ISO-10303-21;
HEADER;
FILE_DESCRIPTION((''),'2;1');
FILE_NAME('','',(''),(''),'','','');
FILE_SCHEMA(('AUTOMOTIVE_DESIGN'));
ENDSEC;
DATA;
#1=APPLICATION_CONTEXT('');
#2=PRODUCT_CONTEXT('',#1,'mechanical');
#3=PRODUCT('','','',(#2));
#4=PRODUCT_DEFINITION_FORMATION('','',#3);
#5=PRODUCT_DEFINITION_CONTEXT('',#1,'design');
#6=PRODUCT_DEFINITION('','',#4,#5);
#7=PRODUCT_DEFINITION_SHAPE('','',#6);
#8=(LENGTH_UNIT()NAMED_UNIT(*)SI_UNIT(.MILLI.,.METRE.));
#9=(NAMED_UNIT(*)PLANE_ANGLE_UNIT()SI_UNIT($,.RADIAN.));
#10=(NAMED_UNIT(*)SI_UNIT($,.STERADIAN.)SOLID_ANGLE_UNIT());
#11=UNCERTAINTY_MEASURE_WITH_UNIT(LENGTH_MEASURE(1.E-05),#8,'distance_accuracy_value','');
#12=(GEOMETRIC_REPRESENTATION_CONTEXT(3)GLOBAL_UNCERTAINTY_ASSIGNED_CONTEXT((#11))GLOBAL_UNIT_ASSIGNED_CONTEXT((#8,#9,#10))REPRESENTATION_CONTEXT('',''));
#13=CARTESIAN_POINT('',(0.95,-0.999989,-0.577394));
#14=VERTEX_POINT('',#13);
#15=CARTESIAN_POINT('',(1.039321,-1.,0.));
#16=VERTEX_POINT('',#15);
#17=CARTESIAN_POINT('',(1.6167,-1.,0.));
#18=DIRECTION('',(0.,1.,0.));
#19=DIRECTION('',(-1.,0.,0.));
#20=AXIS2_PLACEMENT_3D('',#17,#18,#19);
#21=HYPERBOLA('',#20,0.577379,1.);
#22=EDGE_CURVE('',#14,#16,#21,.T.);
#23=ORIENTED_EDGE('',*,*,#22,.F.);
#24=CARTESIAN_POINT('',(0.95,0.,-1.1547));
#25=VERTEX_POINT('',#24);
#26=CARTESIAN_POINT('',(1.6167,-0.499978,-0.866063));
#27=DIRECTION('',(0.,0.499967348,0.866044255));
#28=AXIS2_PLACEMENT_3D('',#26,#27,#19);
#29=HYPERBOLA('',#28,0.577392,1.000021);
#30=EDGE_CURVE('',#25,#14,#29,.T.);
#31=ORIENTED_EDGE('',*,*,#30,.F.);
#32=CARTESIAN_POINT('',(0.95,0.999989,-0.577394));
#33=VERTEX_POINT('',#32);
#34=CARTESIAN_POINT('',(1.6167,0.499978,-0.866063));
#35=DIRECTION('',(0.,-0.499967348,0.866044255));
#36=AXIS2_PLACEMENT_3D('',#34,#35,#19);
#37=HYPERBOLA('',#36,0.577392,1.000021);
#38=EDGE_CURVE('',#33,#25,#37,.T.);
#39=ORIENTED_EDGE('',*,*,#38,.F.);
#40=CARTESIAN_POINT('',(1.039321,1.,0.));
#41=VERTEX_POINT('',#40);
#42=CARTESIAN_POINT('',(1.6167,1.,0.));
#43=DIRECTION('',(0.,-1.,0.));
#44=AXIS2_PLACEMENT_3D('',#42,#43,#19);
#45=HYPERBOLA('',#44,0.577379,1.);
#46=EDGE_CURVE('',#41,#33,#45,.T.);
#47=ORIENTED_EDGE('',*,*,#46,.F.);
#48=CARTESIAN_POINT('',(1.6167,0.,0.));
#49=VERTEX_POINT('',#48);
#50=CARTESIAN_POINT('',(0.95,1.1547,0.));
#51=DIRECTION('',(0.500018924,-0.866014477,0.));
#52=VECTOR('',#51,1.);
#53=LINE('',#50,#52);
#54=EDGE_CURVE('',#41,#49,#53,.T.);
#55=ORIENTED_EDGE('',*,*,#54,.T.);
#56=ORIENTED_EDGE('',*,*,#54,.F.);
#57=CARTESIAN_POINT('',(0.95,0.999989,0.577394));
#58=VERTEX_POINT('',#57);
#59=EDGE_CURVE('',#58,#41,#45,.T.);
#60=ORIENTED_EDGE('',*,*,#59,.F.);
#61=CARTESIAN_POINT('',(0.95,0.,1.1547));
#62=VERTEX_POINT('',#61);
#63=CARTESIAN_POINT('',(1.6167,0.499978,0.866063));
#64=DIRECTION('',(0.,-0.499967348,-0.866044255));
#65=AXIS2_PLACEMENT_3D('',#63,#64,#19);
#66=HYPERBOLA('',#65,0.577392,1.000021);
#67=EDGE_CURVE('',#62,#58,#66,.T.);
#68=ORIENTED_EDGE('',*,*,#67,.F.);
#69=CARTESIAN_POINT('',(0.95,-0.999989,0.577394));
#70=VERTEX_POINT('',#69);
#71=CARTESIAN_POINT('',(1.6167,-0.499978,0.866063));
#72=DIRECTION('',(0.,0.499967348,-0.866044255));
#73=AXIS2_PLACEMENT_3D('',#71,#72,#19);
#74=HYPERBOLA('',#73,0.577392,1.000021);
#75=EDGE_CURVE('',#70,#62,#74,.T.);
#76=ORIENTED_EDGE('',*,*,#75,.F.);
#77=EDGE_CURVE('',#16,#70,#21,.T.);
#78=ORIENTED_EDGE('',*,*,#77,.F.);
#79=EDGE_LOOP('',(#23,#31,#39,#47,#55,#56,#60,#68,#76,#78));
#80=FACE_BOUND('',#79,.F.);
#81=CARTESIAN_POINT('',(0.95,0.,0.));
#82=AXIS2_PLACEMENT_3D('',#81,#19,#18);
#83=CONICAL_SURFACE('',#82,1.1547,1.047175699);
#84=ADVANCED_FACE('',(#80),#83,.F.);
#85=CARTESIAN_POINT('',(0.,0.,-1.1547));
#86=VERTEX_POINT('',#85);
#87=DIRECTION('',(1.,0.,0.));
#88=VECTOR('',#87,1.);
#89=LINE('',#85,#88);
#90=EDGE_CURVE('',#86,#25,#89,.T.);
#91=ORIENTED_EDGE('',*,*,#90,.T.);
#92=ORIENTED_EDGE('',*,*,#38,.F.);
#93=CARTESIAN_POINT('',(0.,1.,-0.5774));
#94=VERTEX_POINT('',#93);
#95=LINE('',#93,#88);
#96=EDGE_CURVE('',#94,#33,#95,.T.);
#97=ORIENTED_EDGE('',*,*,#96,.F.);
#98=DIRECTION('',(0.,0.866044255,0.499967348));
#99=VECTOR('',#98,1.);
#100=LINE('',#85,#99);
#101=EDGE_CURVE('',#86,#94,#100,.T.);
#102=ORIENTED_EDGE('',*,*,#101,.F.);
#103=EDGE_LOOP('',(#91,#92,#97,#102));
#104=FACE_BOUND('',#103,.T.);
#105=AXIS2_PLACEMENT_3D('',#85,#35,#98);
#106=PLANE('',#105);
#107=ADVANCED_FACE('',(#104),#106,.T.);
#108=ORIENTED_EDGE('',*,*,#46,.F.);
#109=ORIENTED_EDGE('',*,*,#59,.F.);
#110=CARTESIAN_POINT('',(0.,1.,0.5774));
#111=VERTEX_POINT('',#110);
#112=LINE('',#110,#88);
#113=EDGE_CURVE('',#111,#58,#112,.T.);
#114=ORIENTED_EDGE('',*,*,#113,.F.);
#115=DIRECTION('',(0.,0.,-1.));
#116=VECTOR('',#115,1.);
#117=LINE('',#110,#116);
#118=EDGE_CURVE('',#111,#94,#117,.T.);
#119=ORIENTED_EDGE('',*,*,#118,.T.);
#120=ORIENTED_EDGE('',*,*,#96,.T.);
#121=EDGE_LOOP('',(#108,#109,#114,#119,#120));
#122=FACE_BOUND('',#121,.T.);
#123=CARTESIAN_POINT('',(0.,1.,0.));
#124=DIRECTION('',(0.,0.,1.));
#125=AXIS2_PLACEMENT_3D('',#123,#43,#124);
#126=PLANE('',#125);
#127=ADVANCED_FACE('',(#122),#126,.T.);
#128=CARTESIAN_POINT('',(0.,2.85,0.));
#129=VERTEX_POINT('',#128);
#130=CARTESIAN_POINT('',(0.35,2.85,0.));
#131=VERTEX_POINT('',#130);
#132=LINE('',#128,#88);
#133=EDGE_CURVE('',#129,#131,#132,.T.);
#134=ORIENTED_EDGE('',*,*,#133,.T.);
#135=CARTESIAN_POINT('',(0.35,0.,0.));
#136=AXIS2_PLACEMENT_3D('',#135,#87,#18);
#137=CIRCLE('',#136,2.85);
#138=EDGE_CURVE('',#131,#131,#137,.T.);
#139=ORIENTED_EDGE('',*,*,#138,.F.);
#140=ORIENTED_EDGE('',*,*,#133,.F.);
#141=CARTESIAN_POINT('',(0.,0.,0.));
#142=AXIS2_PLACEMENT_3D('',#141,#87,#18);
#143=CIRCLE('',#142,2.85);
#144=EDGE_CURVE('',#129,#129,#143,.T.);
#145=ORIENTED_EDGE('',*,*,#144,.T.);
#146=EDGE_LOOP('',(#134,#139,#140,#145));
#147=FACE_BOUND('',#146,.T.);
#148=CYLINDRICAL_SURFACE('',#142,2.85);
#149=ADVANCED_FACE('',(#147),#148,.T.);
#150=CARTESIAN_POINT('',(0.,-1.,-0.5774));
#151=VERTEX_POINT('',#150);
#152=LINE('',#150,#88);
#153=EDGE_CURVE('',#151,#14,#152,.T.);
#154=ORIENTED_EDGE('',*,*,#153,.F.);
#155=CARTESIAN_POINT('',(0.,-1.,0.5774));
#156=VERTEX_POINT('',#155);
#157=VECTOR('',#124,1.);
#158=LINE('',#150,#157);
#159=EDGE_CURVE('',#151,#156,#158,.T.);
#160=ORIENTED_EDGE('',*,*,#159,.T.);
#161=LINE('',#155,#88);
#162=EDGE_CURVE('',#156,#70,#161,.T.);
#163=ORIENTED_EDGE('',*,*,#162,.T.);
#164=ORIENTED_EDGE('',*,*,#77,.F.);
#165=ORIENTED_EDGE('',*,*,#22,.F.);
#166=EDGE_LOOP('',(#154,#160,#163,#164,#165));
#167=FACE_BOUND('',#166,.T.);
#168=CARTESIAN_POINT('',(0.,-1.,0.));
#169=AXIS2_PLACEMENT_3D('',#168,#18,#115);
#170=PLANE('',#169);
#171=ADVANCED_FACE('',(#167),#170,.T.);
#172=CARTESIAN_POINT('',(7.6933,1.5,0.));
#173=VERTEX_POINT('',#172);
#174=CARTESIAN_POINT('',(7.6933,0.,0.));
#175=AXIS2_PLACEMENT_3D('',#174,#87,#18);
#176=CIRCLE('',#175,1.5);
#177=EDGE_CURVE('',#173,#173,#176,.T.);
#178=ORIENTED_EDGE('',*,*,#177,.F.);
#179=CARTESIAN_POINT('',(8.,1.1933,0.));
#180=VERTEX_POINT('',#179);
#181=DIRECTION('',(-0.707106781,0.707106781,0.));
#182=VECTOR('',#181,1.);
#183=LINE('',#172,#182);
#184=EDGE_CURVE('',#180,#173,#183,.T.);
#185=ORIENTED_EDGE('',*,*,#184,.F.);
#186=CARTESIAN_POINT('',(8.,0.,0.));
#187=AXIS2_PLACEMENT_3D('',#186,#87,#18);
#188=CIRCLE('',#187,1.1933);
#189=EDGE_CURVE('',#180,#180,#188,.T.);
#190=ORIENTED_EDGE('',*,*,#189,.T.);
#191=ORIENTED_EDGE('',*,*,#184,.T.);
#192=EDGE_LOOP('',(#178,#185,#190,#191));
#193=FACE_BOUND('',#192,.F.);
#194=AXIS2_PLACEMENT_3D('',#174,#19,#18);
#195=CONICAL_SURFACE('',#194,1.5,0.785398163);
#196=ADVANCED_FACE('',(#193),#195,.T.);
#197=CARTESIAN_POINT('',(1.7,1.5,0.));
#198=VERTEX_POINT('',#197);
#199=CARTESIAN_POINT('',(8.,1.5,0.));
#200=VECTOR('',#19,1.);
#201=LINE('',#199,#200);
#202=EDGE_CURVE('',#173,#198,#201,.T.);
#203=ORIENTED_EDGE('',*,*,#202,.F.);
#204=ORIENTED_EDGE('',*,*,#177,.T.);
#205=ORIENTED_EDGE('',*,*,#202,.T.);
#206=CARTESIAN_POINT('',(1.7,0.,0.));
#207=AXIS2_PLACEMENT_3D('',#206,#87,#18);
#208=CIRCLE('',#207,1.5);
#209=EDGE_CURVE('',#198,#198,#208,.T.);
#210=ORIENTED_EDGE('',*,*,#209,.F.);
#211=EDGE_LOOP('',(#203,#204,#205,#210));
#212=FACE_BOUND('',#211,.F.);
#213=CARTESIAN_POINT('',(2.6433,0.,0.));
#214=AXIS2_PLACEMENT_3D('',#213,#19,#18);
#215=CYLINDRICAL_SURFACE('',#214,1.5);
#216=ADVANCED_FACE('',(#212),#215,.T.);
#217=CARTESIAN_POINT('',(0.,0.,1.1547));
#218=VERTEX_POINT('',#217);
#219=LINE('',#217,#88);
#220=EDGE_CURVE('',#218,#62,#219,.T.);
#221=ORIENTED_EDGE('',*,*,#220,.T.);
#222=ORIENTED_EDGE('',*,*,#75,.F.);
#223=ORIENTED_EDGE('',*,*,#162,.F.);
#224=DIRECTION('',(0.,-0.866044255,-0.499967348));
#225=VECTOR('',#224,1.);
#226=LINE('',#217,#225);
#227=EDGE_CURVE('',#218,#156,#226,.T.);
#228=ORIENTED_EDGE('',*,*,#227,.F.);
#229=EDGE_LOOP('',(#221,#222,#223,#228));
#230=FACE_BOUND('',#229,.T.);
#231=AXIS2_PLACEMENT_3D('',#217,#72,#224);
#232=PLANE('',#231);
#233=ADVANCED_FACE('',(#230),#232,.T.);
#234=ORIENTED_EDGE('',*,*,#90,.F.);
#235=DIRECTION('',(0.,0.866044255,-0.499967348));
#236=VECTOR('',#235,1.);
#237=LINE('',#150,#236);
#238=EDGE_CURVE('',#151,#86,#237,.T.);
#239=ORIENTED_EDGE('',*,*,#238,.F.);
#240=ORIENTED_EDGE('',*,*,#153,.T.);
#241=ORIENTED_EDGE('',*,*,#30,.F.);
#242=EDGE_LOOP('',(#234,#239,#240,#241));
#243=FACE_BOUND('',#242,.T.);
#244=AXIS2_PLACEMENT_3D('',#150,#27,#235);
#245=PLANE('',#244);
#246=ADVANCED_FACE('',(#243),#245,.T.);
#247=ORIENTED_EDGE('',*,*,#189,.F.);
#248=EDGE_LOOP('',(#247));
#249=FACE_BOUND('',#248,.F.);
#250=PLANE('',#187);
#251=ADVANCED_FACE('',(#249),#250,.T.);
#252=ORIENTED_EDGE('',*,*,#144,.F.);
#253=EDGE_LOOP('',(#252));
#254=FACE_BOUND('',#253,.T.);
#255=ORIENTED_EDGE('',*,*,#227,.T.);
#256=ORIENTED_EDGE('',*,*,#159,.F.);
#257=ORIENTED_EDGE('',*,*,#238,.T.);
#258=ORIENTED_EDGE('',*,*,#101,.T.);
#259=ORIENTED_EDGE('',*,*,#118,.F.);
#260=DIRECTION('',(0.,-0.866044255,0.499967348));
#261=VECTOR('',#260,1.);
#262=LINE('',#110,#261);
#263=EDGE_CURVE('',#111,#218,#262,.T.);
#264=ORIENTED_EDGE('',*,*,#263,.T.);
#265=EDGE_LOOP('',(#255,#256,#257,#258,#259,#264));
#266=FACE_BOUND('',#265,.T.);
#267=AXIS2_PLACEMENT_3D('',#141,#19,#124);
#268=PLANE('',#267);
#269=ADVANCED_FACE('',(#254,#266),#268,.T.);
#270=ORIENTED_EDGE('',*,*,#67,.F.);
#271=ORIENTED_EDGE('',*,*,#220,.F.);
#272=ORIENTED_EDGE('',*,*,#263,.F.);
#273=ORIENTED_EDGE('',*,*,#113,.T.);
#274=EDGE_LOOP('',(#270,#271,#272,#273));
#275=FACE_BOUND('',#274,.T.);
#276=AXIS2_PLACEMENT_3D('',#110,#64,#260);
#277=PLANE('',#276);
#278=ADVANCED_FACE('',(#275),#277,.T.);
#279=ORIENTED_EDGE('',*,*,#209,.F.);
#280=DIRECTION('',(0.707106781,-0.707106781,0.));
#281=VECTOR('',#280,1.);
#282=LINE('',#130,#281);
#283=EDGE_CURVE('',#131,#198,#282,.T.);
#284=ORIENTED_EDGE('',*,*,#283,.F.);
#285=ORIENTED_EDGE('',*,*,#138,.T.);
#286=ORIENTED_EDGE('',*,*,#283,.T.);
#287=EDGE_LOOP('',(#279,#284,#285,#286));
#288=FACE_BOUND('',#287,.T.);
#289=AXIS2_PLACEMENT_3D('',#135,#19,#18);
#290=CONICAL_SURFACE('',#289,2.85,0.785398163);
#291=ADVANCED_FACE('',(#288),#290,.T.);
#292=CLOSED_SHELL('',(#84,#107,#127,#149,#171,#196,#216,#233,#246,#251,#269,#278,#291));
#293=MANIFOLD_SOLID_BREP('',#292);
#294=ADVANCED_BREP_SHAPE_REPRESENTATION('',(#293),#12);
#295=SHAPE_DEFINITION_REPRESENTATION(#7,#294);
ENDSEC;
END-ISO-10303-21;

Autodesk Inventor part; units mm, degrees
ref_plane "YZ Plane" through (0, 0, 0) normal (1, 0, 0) x (0, 1, 0)
ref_plane "XZ Plane" through (0, 0, 0) normal (0, 1, 0) x (-1, 0, 0)
sketch "Sketch1" plane through (0, 0, 0) normal (0, 0, 1) x (1, 0, 0)
  line L0 (8, 0) -> (8, 1.5)
  line L1 (8, 1.5) -> (2.95, 1.5)
  line L2 (2.95, 1.5) -> (2.6433, 1.5)
  line L3 (0, 2.85) -> (0, 1.1547)
  line L4 (0, 1.1547) -> (0.95, 1.1547)
  line L5 (0.95, 1.1547) -> (1.6167, 0)
  line L6 (1.6167, 0) -> (8, 0)
  line L7 (0, 2.85) -> (0.35, 2.85)
  line L8 (0.35, 2.85) -> (1.7, 1.5)
  line L9 (2.6433, 1.5) -> (1.7, 1.5)
  line L10 (2.95, 1.5) -> (1.7, 1.5) construction
  line L11 (1.7, 1.5) -> (1.7, 1.5)
  line L12 (-1.6, 0) -> (9.6, 0) projected
  line L13 (0, -0.57) -> (0, 3.42) projected
  dimension "d0" = 8
  dimension "d1" = 5.05
  dimension "d2" = 0.95
  dimension "d3" = 3
  dimension "d6" = 1.7
  dimension "d7" = 45
  dimension "d8" = 2.3094
  dimension "d9" = 60
  dimension "d10" = 5.7
  dimension "d11" = 3
  dimension "d12" = 0.3067
revolve "Body" add sketch "Sketch1" angle 360 about axis through (1.6167, 0, 0) along (1, 0, 0) contours L6 L5 L4 L3 L7 L8 L9 L2 L1 L0
sketch "Sketch2" plane through (0, 0, 0) normal (-1, 0, 0) x (0, 0, 1)
  circle A0 centre (0, 0) radius 1.1547 projected
  line L0 (0, -3.99) -> (0, 3.99) projected
  line L1 (-3.99, 0) -> (3.99, 0) projected
  line L2 (1.1547, 0) -> (0.5774, -1)
  line L3 (0.5774, -1) -> (-0.5774, -1)
  line L4 (-0.5774, -1) -> (-1.1547, 0)
  line L5 (-1.1547, 0) -> (-0.5774, 1)
  line L6 (-0.5774, 1) -> (0.5774, 1)
  line L7 (0.5774, 1) -> (1.1547, 0)
  point P0 (0, 1.1547)
extrude "Slot" add sketch "Sketch2" against normal up to next contours L7 A0 | A0 L2 | L6 L0 A0 | A0 L0 L3 | L0 L6 A0 | A0 L3 L0 | L4 A0 | A0 L5
thread "Thread" size "M3x0.5" class "6g" standard "ISO Metric profile" length 5.05
chamfer "Chamfer1" distance 0.3067 distance2 0.3067 1 edges at (8, -1.5, 0) measured on face at (8, -0.8298, -0.2045)
ref_plane "Work Plane1" through (104.775, 0, 0) normal (0, 0, -1) x (1, 0, 0)
equation "\"d15\" = GEL"
equation "\"d17\" = -0.5 * SPD + 0.5 * GD"
equation "\"d18\" = GUL"
equation "\"d0\" = NLG"
equation "\"d1\" = GEL"
equation "\"d2\" = INTI"
equation "\"d3\" = GD"
equation "\"d6\" = KOH"
equation "\"d7\" = 0.5 * SEWI"
equation "\"d8\" = 1.1547 * SW"
equation "\"d10\" = KOD"
equation "\"d11\" = BDM"
equation "\"d12\" = GAL"
equation "\"NLG\" = 8"
equation "\"INTI\" = 0.95"
equation "\"GEL\" = 5.05"
equation "\"GAL\" = 0.61345 * PTC"
equation "\"KOH\" = 1.7"
equation "\"KOD\" = 5.7"
equation "\"GUL\" = 0.61345 * PTC"
equation "\"SPD\" = NND - 1.2269 * PTC"
equation "\"BDM\" = NND"
equation "\"GD\" = NND"
equation "\"SEWI\" = 90deg"
equation "\"SW\" = 2"
equation "\"TOA\" = 30deg"
equation "\"GD1\" = THREADDIA - 1.2269 * PTC"
equation "\"EPV\" = 3.2"
equation "\"THREADDIA\" = 3"
equation "\"PTC\" = 0.5"
equation "\"NND\" = 3"
equation "\"E0\" = 1.155 * SW"
properties part number "UNI 5933 - M3 x 8" material "Steel, Mild"
